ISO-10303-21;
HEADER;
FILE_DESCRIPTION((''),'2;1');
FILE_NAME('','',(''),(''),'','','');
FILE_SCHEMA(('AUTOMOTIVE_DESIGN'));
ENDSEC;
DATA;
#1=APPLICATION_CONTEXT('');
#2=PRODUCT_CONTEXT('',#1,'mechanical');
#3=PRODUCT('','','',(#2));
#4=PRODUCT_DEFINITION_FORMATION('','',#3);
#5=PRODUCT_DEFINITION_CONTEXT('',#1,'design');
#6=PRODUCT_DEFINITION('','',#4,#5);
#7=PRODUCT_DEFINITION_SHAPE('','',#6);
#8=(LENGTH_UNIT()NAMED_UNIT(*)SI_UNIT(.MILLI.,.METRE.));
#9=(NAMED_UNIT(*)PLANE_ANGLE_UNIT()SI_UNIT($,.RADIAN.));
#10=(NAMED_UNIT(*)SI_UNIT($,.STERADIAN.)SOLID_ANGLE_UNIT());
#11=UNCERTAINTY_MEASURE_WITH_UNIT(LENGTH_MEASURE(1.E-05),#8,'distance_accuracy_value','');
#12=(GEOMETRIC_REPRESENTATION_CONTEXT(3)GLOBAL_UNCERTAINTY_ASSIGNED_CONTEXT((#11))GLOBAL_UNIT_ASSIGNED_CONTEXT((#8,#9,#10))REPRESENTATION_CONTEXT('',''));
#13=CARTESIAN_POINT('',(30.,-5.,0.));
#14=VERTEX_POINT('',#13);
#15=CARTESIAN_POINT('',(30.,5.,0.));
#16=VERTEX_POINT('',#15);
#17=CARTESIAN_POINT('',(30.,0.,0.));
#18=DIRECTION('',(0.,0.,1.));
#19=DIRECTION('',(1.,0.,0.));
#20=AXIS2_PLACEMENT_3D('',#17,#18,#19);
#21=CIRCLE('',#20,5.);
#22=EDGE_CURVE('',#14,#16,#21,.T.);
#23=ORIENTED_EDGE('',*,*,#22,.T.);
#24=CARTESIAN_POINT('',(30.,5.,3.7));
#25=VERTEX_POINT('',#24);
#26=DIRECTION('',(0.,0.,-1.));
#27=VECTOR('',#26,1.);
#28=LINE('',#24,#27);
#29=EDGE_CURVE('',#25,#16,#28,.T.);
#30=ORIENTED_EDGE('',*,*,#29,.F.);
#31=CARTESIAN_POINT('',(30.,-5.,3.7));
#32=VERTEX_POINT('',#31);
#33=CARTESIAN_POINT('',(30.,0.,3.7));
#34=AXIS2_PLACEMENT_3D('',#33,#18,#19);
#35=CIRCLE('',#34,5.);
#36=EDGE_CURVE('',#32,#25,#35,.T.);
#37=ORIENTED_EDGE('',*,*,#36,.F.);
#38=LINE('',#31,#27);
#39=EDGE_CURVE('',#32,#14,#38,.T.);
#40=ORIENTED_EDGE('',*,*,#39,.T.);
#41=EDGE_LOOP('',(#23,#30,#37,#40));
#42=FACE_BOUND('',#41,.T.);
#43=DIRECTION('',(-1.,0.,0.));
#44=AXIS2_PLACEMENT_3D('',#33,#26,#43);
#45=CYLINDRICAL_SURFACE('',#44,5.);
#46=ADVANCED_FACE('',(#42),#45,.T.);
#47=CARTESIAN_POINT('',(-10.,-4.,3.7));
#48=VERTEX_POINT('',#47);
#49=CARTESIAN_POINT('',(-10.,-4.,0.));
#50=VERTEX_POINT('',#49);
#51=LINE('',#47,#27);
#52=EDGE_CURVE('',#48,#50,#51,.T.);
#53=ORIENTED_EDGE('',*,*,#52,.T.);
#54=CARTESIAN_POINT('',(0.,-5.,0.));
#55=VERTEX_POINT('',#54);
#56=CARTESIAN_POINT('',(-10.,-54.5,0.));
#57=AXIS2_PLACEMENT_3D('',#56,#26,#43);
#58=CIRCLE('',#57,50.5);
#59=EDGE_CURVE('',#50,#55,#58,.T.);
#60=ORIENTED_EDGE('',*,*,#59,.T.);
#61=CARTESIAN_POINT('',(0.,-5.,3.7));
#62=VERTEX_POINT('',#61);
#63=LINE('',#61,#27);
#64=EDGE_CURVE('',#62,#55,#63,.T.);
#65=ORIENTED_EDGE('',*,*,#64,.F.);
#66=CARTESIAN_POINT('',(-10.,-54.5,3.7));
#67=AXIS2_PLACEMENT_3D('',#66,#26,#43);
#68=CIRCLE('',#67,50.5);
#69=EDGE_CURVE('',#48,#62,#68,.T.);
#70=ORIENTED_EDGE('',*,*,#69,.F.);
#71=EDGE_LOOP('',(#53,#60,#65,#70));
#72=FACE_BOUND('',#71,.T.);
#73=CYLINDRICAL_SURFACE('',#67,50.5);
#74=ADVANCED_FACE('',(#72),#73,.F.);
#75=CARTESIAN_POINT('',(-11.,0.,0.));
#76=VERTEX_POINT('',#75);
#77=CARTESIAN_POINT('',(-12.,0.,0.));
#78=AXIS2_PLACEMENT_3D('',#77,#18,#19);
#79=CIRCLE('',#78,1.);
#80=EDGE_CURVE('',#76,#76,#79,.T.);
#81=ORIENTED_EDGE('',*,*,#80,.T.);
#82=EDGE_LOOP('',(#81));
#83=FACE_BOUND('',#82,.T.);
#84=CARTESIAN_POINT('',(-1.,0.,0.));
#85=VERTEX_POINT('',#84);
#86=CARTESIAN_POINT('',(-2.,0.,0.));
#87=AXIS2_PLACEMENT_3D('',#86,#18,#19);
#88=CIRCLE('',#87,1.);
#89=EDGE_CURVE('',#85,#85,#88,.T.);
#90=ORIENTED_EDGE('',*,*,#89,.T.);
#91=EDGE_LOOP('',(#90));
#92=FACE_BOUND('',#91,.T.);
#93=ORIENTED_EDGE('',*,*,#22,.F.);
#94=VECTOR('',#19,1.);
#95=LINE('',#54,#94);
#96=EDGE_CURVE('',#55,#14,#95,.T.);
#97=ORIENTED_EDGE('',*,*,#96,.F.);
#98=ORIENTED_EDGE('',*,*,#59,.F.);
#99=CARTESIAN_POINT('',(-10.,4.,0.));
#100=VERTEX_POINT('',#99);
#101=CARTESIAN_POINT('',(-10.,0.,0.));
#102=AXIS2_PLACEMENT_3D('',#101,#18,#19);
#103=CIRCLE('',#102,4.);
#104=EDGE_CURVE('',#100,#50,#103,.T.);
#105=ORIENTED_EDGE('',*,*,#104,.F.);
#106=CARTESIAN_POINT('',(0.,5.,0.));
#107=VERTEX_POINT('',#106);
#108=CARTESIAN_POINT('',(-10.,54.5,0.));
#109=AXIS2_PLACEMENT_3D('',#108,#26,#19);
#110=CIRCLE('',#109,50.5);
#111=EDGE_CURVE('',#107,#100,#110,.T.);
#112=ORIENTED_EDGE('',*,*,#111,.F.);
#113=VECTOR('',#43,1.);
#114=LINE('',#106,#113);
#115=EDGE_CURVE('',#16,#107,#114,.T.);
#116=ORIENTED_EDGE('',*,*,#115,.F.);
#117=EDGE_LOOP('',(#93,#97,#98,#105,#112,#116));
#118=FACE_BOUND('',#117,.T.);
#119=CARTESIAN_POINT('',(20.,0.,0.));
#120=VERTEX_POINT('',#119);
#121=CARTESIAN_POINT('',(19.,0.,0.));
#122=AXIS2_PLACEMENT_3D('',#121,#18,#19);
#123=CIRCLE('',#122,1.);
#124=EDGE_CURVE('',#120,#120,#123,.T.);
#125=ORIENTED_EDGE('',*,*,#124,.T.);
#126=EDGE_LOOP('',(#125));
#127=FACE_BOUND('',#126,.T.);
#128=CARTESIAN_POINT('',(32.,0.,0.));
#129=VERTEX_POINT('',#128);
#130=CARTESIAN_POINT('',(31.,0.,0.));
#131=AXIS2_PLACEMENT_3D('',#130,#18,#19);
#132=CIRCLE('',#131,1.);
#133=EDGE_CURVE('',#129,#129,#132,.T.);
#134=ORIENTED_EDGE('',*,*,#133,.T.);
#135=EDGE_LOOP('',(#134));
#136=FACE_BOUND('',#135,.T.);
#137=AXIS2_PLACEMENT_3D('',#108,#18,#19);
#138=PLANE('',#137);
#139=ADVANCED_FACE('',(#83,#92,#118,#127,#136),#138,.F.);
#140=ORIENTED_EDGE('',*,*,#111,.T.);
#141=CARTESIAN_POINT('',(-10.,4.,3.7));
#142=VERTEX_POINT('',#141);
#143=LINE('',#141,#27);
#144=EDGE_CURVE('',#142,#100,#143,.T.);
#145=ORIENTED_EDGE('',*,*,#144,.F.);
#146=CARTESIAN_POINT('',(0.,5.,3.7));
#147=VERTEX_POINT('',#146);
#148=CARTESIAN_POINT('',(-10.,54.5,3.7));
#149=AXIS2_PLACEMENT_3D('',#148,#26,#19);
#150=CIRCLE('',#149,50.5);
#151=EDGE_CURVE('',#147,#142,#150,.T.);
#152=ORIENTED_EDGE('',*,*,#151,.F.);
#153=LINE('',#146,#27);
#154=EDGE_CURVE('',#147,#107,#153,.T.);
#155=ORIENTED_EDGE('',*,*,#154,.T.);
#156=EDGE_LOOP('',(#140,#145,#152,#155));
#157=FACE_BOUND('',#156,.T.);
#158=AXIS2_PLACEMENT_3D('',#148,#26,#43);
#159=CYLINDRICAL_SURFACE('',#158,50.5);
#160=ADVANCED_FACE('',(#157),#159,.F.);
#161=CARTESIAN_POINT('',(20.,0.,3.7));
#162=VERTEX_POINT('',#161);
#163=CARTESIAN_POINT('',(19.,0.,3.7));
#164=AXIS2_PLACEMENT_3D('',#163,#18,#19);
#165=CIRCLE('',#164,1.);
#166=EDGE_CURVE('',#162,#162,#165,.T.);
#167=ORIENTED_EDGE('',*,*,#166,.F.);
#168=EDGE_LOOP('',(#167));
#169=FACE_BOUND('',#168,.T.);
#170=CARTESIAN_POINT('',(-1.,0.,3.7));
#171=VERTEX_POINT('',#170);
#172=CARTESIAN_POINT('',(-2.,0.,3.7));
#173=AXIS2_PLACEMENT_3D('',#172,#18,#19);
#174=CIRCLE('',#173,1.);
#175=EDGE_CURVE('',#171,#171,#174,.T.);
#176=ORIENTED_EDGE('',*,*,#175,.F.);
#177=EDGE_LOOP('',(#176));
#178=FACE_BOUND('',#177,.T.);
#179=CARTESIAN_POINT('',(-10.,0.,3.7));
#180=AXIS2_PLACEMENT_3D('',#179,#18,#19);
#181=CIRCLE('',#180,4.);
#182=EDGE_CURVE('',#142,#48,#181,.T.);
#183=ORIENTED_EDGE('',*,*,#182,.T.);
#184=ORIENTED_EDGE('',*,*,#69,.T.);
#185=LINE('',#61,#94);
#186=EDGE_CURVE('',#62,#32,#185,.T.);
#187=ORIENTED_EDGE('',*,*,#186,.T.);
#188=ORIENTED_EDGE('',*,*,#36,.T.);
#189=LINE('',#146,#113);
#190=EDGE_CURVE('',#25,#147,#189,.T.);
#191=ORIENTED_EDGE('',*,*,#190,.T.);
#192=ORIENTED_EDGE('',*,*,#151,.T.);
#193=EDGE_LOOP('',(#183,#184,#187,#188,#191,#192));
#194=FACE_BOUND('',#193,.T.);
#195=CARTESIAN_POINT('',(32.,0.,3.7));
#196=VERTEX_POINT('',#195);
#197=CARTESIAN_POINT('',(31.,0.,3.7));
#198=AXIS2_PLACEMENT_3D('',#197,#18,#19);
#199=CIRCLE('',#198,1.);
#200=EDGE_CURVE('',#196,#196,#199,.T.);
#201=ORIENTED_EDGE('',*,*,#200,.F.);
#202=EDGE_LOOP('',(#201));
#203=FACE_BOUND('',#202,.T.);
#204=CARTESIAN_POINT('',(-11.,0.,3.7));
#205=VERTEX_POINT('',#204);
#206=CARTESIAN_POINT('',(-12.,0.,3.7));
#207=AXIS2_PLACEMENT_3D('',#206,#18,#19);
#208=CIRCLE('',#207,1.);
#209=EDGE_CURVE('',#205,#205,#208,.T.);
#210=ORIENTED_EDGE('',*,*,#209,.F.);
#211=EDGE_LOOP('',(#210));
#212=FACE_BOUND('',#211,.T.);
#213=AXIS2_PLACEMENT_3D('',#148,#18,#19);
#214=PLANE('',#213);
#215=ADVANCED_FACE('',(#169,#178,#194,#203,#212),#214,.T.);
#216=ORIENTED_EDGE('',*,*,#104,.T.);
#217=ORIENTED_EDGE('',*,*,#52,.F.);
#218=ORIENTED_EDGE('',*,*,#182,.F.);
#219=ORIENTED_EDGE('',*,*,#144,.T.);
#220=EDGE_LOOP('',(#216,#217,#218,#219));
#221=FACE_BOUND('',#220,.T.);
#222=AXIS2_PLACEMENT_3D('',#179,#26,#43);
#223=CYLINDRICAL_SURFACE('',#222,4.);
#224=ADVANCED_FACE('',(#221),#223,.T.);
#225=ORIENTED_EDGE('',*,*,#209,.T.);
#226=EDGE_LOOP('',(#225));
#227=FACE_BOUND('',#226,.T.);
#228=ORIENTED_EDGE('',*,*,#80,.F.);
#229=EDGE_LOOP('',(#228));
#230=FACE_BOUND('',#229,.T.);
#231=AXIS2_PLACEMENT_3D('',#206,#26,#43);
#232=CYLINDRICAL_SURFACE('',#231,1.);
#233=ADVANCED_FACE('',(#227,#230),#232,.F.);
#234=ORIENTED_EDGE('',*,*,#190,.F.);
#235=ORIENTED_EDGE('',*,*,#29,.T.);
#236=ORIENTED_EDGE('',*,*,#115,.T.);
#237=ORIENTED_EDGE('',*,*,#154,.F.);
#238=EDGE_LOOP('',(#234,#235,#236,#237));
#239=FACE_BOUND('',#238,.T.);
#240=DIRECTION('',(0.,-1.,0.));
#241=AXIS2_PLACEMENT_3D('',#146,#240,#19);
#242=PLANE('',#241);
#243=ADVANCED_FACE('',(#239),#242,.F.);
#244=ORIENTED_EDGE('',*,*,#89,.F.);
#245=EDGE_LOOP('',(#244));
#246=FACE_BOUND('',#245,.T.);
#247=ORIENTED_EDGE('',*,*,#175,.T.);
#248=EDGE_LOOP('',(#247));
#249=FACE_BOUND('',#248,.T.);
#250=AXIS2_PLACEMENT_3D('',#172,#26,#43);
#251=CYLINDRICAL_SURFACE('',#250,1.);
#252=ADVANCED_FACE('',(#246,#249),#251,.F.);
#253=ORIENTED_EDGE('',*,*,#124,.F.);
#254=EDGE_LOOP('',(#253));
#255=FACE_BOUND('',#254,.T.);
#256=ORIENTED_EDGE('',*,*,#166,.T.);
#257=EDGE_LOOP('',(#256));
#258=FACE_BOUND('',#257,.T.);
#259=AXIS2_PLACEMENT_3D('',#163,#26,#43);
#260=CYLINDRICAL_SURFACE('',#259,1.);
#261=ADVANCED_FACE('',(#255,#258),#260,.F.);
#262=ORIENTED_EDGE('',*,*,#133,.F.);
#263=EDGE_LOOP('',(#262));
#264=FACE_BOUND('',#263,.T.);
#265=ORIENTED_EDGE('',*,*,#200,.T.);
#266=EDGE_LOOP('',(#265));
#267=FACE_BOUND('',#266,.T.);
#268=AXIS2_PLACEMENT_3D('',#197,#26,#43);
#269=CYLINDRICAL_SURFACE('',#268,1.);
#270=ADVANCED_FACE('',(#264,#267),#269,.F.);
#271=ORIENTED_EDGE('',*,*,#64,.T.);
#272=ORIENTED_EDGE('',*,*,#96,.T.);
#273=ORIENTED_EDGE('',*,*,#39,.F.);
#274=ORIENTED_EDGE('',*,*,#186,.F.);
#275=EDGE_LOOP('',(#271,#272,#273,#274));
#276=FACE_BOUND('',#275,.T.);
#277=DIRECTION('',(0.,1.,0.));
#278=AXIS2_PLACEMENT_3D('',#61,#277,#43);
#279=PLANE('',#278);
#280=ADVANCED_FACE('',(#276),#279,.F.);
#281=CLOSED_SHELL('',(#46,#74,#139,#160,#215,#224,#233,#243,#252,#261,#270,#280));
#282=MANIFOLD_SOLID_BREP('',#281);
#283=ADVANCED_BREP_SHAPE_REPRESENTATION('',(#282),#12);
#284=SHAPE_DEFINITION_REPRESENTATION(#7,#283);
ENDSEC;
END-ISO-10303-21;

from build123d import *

# Parameters (mm, degrees)
SKETCH1_R           = 1
BOSS_EXTRUDE1_DEPTH = 3.7


with BuildPart() as part:
    # Sketch1 → Boss-Extrude1 (new body)
    with BuildSketch(Plane.XY):
        with BuildLine():
            Line((0, 5), (30, 5))
            ThreePointArc((30, 5), (35, 0), (30, -5))
            Line((30, -5), (0, -5))
            ThreePointArc((0, -5), (-4.975062189, -4.250621894), (-10, -4))
            ThreePointArc((-10, -4), (-14, 0), (-10, 4))
            ThreePointArc((-10, 4), (-4.975062189, 4.250621894), (0, 5))
        make_face()
        with Locations((-12, 0)):
            Circle(SKETCH1_R, mode=Mode.SUBTRACT)
        with Locations((-2, 0)):
            Circle(SKETCH1_R, mode=Mode.SUBTRACT)
        with Locations((19, 0)):
            Circle(SKETCH1_R, mode=Mode.SUBTRACT)
        with Locations((31, 0)):
            Circle(SKETCH1_R, mode=Mode.SUBTRACT)
    extrude(amount=BOSS_EXTRUDE1_DEPTH)


solid = part.part
